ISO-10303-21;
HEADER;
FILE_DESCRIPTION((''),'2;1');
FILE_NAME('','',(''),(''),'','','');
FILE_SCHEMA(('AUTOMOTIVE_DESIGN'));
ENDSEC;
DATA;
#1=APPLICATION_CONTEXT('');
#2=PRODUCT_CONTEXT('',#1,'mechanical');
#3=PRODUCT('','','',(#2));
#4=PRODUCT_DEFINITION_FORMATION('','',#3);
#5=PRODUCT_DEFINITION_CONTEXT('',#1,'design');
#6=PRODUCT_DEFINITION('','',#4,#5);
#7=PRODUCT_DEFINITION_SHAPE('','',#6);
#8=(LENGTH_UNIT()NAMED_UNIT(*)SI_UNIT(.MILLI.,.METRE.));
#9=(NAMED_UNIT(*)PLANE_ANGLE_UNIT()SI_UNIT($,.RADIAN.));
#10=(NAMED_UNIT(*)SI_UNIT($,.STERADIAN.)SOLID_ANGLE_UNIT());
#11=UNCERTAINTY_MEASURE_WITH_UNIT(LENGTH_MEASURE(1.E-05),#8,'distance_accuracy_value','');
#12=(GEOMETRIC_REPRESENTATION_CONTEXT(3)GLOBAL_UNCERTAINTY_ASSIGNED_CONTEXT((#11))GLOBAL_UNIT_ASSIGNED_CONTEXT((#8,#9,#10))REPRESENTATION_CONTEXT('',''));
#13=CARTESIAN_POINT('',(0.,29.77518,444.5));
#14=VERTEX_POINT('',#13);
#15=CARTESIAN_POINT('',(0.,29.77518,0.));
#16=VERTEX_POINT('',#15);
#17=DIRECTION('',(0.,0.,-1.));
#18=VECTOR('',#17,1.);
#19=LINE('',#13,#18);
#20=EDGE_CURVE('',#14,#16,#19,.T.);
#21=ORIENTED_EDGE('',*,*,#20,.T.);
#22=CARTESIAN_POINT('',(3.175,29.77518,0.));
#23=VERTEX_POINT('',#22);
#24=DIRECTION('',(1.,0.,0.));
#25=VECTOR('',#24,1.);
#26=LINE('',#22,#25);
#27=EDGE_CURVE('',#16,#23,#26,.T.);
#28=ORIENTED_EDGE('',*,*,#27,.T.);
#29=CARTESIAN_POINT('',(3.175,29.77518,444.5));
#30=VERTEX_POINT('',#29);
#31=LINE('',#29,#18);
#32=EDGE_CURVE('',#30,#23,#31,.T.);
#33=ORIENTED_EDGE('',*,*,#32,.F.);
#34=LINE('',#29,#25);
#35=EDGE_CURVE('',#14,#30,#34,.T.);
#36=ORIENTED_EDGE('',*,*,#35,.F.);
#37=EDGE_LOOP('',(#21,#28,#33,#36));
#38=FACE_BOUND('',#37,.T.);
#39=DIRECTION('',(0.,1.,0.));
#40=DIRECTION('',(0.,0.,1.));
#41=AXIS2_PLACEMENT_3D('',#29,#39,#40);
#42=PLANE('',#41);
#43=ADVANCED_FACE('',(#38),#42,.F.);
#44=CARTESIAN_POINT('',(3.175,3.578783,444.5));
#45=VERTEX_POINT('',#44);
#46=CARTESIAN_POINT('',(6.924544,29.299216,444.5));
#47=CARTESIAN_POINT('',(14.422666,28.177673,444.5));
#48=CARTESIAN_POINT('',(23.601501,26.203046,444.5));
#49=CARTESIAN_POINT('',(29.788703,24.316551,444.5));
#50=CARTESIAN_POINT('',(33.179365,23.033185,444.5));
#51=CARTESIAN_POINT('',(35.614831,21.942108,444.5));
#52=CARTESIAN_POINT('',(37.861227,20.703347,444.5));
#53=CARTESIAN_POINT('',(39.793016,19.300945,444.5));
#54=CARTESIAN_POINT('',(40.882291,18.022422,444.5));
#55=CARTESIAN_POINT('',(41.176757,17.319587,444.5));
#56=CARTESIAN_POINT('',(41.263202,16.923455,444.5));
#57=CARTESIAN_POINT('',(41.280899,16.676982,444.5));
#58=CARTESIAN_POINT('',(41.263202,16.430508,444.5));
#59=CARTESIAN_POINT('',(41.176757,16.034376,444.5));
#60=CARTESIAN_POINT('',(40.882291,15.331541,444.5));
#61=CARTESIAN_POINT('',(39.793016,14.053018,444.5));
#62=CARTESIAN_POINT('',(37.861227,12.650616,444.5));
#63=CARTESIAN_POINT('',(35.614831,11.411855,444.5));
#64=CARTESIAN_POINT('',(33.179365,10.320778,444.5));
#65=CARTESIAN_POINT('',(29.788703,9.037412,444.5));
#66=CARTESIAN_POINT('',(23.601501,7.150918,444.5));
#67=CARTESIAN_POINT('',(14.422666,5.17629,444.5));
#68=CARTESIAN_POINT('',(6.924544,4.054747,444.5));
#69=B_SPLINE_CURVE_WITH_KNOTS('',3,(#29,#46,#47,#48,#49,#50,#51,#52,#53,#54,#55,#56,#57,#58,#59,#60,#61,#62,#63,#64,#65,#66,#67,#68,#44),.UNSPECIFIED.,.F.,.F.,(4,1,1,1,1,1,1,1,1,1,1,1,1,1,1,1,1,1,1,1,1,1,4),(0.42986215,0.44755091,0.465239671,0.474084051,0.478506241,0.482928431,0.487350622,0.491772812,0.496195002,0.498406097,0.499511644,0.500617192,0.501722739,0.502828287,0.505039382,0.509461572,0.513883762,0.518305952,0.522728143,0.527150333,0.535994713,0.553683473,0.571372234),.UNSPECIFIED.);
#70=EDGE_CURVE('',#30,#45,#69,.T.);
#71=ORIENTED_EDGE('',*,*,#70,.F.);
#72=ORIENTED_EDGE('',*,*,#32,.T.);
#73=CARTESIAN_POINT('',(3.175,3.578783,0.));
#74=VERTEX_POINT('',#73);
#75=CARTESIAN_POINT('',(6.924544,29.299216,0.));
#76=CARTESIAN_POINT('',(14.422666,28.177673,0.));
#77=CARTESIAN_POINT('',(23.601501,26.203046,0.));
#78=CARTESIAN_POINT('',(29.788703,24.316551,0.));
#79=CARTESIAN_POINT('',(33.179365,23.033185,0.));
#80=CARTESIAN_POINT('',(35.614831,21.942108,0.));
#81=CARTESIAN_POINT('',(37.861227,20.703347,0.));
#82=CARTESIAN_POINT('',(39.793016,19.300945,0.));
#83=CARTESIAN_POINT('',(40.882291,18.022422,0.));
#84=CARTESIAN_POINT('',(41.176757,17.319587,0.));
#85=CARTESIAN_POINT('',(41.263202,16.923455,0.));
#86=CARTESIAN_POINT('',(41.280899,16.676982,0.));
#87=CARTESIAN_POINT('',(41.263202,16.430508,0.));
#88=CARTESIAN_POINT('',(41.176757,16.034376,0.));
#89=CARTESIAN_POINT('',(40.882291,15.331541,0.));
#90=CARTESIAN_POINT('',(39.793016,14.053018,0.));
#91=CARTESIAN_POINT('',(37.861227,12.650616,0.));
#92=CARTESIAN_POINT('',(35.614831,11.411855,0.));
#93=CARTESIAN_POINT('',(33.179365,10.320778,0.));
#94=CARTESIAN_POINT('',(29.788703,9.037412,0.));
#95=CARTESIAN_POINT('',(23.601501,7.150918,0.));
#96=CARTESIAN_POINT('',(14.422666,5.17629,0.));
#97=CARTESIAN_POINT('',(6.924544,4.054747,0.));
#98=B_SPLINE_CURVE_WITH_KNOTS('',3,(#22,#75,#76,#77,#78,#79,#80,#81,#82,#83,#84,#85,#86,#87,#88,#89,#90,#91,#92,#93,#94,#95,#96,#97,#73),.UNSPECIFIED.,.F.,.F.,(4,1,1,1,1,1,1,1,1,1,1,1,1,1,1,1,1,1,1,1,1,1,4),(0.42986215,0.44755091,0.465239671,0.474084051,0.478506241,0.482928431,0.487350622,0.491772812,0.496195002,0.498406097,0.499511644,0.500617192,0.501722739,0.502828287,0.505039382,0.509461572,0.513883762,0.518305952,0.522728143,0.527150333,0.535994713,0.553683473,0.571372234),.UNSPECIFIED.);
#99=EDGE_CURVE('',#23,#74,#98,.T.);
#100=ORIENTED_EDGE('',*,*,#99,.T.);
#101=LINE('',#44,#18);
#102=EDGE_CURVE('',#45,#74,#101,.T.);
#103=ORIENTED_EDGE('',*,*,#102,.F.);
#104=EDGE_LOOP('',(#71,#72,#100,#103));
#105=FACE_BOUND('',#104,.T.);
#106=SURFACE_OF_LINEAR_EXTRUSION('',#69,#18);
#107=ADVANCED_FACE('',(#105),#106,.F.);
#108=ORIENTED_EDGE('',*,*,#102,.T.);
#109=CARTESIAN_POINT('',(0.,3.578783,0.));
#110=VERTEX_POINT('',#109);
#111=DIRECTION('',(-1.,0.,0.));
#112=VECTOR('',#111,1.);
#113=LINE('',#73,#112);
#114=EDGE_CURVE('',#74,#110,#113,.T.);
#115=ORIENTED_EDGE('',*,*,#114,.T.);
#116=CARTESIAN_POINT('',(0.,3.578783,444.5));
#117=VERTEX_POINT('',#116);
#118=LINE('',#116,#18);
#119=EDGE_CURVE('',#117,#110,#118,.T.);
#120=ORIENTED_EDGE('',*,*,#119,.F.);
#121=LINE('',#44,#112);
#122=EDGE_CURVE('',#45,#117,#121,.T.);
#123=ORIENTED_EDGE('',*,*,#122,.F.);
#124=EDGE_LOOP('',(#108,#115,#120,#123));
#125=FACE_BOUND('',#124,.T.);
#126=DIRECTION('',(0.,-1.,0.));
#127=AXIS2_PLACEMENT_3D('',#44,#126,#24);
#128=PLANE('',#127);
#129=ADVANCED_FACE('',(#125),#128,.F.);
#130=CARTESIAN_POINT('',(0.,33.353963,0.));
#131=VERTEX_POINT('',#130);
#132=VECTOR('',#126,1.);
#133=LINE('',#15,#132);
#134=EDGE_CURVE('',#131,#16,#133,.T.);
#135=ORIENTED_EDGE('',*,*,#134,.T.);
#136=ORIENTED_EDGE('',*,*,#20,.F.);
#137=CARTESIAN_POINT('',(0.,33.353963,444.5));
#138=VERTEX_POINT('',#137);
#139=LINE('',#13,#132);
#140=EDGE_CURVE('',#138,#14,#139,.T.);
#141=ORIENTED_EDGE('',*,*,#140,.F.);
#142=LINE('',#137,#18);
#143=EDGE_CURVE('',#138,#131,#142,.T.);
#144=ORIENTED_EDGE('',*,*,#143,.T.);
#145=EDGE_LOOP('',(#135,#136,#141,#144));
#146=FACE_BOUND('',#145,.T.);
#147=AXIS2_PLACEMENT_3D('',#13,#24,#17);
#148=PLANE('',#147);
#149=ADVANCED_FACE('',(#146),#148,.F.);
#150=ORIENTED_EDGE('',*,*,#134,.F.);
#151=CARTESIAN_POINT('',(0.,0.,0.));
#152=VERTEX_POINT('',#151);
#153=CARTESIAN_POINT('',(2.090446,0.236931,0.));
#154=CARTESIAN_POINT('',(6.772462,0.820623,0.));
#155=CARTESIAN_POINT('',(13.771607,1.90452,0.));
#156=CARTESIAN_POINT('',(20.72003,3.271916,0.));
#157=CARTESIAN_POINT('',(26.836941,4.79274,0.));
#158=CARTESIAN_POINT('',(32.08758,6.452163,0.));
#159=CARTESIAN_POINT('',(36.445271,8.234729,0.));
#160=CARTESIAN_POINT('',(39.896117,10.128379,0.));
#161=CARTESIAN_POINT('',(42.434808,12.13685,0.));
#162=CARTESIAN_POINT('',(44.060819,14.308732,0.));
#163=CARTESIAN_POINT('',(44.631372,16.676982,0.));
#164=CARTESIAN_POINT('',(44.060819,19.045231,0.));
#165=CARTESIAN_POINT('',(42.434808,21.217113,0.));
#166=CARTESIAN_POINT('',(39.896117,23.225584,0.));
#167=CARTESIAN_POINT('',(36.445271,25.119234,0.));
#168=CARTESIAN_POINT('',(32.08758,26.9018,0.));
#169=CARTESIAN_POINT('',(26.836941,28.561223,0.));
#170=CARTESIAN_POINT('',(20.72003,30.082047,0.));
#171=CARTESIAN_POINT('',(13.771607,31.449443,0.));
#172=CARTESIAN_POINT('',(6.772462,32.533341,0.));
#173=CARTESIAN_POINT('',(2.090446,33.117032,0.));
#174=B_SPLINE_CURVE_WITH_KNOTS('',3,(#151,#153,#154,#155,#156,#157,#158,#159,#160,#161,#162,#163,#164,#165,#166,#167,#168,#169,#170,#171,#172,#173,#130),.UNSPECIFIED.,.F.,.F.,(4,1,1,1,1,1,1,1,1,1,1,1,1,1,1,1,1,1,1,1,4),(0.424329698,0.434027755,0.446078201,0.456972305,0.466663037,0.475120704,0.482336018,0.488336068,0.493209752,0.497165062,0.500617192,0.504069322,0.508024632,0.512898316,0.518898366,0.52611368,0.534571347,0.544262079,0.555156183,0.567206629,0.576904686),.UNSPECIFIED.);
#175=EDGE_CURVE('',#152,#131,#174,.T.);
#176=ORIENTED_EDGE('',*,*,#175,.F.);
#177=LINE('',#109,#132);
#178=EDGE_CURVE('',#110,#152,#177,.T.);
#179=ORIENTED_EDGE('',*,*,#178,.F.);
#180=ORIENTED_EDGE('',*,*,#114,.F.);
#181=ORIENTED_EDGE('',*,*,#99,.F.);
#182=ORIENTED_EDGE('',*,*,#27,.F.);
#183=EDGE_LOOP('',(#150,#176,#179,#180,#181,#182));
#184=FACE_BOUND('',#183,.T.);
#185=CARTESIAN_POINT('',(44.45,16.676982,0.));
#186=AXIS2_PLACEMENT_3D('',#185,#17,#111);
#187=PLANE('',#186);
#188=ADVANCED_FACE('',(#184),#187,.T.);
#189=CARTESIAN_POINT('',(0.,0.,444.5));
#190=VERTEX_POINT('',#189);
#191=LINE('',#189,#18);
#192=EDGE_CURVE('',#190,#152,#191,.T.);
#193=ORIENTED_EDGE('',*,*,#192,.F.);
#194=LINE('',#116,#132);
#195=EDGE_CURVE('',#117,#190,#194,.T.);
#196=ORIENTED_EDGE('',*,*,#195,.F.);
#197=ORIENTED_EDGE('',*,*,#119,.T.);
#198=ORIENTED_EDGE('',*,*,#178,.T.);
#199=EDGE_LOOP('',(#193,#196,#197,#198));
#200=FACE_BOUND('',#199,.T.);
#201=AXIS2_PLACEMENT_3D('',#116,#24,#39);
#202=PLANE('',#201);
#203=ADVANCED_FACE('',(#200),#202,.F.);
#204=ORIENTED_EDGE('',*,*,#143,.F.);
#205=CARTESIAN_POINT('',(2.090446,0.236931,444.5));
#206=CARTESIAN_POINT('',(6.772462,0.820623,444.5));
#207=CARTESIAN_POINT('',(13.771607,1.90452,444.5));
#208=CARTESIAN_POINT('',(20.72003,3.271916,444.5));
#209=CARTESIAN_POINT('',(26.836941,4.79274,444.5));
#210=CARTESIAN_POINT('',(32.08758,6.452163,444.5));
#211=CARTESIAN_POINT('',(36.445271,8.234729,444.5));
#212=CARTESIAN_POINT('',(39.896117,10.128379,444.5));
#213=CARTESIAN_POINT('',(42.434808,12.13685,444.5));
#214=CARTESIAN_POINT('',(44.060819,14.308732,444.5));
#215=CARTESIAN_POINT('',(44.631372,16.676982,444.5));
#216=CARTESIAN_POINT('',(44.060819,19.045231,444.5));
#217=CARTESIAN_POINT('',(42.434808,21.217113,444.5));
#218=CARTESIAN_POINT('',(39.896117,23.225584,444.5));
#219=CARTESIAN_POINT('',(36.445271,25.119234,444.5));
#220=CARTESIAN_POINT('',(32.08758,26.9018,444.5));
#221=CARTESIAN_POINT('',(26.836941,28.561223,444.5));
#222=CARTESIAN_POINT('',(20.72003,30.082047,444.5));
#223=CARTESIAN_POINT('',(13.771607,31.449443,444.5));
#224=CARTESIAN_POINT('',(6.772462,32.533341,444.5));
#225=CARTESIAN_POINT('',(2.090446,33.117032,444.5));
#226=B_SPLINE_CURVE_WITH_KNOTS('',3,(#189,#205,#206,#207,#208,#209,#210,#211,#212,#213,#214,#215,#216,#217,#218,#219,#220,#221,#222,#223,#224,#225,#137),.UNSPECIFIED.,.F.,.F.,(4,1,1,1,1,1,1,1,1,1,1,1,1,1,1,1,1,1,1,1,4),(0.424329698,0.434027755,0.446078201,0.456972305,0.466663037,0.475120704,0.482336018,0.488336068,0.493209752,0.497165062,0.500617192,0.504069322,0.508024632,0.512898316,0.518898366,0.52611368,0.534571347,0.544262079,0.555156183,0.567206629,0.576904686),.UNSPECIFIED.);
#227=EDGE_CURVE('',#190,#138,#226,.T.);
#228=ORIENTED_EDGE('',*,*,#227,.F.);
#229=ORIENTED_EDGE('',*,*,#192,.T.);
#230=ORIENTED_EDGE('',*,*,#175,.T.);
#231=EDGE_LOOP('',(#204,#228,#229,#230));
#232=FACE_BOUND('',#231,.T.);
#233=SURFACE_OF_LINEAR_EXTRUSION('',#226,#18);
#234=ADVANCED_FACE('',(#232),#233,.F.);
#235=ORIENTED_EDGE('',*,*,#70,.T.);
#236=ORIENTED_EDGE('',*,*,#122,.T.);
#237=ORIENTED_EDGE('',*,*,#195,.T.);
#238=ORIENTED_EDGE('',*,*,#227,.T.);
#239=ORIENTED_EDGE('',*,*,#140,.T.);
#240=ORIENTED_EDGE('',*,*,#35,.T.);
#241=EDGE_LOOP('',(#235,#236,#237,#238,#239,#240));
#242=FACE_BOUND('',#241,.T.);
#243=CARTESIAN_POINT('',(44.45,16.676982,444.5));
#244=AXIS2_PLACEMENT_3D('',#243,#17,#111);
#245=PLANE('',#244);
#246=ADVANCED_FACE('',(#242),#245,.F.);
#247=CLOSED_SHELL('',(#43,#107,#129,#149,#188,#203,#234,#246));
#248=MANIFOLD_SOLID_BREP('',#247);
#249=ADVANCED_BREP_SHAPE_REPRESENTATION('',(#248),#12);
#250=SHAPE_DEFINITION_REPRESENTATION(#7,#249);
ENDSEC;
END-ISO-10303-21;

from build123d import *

# Parameters (mm, degrees)
BOSS_EXTRUDE1_DEPTH = 444.5


with BuildPart() as part:
    # Sketch1 → Boss-Extrude1 (new body)
    with BuildSketch(Plane.XY):
        with BuildLine():
            Line((0, 29.775180391), (0, 33.353963059))
            add(Edge.make_bspline(
                [(0, 0), (2.090445766, 0.23693114), (6.772462188, 0.820622556), (13.771607217, 1.904520336), (20.72003013, 3.271915787), (26.836940574, 4.792739908), (32.087579611, 6.452162768), (36.44527055, 8.234729148), (39.896116593, 10.128379148), (42.43480771, 12.13685025), (44.060818715, 14.308731932), (44.631372316, 16.676981529), (44.060818715, 19.045231127), (42.43480771, 21.217112809), (39.896116593, 23.225583911), (36.44527055, 25.119233911), (32.087579611, 26.901800291), (26.836940574, 28.561223151), (20.72003013, 30.082047272), (13.771607217, 31.449442723), (6.772462188, 32.533340502), (2.090445766, 33.117031918), (0, 33.353963059)],
                knots=[0.424329698, 0.424329698, 0.424329698, 0.424329698, 0.434027755, 0.446078201, 0.456972305, 0.466663037, 0.475120704, 0.482336018, 0.488336068, 0.493209752, 0.497165062, 0.500617192, 0.504069322, 0.508024632, 0.512898316, 0.518898366, 0.52611368, 0.534571347, 0.544262079, 0.555156183, 0.567206629, 0.576904686, 0.576904686, 0.576904686, 0.576904686], degree=3))
            Line((0, 0), (0, 3.578782668))
            Line((0, 3.578782668), (3.175, 3.578782668))
            add(Edge.make_bspline(
                [(3.175, 3.578782668), (6.924543922, 4.054747295), (14.422665679, 5.176290305), (23.601501142, 7.150917512), (29.78870277, 9.037412181), (33.179365254, 10.320777965), (35.614830582, 11.41185493), (37.861227004, 12.650616135), (39.793015813, 14.053017741), (40.882290841, 15.331540781), (41.176757391, 16.034376045), (41.263202443, 16.430507613), (41.280898779, 16.676981529), (41.263202443, 16.923455445), (41.176757391, 17.319587014), (40.882290841, 18.022422278), (39.793015813, 19.300945318), (37.861227004, 20.703346924), (35.614830582, 21.942108129), (33.179365254, 23.033185094), (29.78870277, 24.316550878), (23.601501142, 26.203045547), (14.422665679, 28.177672754), (6.924543922, 29.299215763), (3.175, 29.775180391)],
                knots=[0.42986215, 0.42986215, 0.42986215, 0.42986215, 0.44755091, 0.465239671, 0.474084051, 0.478506241, 0.482928431, 0.487350622, 0.491772812, 0.496195002, 0.498406097, 0.499511644, 0.500617192, 0.501722739, 0.502828287, 0.505039382, 0.509461572, 0.513883762, 0.518305952, 0.522728143, 0.527150333, 0.535994713, 0.553683473, 0.571372234, 0.571372234, 0.571372234, 0.571372234], degree=3))
            Line((3.175, 29.775180391), (0, 29.775180391))
        make_face()
    extrude(amount=BOSS_EXTRUDE1_DEPTH)


solid = part.part
